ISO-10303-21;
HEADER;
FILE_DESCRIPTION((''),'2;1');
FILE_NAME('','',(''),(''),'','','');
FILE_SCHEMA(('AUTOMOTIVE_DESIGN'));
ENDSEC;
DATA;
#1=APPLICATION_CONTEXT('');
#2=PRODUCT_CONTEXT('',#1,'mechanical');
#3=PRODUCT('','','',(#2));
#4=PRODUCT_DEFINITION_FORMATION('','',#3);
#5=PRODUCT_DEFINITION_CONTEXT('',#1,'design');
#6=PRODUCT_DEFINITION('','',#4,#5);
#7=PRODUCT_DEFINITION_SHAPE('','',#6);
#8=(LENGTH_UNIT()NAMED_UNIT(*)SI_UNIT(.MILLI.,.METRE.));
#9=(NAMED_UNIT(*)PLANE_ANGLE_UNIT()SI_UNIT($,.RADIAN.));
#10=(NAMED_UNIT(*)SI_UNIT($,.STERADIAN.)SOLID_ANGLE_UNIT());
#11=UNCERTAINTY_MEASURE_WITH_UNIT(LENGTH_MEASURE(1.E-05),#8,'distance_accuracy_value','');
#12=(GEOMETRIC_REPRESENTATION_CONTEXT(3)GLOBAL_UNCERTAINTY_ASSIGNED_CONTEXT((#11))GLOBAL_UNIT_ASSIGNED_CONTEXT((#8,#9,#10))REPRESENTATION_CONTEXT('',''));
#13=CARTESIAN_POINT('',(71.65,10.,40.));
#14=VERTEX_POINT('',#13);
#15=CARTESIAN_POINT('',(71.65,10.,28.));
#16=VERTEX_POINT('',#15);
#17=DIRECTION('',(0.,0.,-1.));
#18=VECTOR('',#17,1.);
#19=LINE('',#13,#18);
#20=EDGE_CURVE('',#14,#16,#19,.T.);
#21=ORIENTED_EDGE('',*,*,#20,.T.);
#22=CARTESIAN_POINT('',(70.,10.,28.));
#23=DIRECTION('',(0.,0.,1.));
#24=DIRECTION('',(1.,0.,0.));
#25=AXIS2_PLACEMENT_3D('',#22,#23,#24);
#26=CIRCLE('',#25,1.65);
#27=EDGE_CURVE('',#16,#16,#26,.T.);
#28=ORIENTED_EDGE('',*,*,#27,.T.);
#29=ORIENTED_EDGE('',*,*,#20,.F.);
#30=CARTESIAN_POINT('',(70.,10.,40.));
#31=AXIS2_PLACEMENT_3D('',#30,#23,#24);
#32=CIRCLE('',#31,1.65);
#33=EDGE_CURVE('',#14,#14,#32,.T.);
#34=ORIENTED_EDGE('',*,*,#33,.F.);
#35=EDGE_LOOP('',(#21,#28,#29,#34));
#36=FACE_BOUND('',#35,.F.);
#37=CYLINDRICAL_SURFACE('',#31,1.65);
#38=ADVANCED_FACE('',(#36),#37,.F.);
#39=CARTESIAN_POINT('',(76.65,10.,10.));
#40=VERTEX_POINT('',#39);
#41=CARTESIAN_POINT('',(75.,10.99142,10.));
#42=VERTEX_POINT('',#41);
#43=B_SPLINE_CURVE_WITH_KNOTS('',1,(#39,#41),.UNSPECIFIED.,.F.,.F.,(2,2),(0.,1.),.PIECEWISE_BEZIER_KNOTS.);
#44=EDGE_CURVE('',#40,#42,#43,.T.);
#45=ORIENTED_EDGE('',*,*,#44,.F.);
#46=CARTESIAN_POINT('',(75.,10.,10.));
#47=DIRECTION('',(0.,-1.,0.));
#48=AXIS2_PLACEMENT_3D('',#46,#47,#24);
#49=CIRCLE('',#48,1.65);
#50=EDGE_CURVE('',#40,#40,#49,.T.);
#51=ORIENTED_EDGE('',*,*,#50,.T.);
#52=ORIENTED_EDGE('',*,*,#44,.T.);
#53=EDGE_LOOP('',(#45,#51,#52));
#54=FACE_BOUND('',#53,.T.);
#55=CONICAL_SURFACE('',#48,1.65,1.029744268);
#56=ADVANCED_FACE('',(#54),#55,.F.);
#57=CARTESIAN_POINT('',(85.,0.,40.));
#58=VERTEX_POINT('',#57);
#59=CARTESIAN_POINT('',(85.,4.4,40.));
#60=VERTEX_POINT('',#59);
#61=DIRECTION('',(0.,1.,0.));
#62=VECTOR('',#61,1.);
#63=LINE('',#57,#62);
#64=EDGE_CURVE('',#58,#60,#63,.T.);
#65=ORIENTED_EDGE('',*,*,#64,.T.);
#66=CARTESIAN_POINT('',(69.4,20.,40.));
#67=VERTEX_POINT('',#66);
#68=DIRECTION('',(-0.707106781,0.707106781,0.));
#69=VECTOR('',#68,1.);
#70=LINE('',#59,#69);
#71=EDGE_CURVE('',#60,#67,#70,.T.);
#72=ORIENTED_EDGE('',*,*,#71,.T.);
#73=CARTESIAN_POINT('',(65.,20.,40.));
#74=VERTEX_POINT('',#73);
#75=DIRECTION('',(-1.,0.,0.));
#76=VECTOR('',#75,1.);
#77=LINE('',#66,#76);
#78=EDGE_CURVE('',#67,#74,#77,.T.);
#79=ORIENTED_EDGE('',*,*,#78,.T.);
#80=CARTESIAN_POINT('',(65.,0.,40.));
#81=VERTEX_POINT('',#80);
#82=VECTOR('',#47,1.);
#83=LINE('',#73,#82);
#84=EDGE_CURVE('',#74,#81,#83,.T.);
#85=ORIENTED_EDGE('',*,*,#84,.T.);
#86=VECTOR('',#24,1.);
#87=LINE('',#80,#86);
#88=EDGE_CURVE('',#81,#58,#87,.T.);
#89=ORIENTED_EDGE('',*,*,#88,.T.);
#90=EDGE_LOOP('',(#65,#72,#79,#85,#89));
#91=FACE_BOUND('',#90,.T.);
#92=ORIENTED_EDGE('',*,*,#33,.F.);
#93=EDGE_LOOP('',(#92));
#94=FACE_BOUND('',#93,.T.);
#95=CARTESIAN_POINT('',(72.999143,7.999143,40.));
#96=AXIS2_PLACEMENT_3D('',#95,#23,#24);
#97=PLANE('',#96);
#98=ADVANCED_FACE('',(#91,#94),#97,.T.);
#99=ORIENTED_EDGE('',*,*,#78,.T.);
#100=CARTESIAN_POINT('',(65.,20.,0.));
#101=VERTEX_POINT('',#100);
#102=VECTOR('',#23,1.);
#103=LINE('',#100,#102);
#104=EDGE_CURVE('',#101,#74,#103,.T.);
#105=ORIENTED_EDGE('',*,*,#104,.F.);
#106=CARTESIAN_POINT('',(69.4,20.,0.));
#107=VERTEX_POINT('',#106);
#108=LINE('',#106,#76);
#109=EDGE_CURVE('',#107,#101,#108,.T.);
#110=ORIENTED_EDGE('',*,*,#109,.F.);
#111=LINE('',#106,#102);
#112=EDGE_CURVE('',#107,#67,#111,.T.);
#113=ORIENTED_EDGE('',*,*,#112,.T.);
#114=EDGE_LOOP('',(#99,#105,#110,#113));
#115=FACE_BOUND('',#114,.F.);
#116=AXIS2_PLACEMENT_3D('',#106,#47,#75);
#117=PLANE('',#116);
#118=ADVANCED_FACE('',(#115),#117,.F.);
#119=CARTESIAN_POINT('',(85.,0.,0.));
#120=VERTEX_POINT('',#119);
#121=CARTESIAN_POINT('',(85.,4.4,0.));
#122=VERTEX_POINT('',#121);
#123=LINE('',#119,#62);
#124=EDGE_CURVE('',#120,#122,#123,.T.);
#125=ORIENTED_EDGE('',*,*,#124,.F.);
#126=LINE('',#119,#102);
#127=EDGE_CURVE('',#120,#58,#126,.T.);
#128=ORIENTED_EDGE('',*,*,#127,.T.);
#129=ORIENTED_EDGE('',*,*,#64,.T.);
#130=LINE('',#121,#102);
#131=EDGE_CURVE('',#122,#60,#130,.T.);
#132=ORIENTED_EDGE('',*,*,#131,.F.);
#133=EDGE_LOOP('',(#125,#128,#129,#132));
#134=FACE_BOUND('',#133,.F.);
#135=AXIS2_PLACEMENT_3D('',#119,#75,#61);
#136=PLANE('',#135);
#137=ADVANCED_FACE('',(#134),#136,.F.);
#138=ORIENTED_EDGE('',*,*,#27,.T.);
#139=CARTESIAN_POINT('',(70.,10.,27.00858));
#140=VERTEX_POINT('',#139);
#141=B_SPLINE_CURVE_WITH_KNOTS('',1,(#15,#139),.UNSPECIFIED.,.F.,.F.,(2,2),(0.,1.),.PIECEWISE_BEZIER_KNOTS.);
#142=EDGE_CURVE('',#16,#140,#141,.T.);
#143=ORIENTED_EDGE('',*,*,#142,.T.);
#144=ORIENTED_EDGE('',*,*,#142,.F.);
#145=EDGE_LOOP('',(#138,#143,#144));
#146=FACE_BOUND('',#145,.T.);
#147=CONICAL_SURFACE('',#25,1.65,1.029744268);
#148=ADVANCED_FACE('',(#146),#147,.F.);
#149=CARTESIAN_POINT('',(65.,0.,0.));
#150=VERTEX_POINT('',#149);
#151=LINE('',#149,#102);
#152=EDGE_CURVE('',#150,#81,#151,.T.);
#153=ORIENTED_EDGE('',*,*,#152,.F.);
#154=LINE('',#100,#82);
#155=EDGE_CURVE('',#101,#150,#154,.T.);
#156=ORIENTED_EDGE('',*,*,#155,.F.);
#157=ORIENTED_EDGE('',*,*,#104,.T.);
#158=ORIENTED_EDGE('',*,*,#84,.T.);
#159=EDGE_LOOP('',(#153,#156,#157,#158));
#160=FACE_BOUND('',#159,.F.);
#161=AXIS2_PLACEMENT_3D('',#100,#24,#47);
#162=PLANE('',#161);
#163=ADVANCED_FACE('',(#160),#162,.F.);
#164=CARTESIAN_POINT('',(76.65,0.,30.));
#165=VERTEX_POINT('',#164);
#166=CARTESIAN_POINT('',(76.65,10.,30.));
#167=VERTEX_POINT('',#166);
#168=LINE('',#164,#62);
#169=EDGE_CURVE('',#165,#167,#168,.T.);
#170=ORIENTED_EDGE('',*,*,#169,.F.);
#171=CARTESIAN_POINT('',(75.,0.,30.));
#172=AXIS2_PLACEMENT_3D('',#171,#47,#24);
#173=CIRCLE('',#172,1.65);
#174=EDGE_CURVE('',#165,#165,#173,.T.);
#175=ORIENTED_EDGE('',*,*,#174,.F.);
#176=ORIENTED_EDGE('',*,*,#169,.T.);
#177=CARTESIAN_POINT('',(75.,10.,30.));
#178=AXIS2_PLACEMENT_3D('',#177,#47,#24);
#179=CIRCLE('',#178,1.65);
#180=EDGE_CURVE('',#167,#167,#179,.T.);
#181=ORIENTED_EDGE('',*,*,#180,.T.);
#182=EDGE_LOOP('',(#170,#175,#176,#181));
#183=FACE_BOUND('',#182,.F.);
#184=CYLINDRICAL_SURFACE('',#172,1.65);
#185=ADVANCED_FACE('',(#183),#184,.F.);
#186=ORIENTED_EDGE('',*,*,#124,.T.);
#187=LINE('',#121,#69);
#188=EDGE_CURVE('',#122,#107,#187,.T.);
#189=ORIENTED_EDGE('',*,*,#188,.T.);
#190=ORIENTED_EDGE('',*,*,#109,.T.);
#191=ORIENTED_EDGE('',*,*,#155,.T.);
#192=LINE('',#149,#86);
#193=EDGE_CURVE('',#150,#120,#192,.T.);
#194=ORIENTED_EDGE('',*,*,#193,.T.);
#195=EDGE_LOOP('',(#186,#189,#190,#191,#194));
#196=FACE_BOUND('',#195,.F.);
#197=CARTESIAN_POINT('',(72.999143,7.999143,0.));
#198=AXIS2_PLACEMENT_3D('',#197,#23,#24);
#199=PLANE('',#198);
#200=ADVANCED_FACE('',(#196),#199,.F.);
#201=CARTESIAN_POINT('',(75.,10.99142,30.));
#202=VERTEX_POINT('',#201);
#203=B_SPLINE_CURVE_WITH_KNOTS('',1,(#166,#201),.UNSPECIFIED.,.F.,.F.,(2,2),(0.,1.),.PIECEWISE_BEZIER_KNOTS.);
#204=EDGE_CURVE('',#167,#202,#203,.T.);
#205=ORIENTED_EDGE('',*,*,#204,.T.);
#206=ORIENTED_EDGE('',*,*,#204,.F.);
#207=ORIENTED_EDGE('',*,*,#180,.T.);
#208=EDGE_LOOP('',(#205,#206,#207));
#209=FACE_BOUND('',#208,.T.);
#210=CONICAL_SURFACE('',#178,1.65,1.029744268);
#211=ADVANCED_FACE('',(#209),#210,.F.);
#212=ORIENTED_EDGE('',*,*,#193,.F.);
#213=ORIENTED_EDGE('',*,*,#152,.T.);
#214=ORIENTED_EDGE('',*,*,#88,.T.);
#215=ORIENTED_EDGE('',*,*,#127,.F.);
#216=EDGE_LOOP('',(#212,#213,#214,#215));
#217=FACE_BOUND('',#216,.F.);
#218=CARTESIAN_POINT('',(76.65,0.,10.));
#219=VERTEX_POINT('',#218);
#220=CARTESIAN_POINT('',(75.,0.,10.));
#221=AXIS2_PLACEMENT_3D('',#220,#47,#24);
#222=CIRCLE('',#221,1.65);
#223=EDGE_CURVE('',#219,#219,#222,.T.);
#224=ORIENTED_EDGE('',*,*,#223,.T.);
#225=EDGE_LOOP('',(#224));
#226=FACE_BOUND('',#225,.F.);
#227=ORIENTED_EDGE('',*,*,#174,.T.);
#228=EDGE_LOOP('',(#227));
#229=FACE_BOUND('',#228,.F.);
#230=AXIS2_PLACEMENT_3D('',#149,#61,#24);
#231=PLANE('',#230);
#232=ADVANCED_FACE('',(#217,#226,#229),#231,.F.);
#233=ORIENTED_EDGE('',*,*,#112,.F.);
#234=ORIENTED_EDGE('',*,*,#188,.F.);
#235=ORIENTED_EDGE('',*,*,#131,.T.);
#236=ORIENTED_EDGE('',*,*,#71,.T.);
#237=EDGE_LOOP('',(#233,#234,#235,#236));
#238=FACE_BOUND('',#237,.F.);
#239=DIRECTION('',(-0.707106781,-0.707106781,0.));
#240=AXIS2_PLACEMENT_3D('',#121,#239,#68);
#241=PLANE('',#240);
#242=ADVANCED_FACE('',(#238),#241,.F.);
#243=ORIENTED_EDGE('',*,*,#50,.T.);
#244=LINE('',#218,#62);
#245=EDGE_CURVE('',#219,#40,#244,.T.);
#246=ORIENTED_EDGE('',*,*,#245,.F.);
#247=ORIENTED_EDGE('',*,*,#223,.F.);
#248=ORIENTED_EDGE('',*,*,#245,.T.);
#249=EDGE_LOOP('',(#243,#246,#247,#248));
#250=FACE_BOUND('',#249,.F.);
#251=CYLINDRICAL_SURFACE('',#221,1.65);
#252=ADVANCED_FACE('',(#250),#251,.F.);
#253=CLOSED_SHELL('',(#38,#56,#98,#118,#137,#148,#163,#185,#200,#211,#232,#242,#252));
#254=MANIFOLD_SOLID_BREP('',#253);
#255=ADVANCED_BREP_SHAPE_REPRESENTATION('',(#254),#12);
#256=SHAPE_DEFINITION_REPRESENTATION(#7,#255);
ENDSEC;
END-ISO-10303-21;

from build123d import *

# Parameters (mm, degrees)
PAD_DEPTH      = 40
SKETCH001_R    = 1.65
HOLE_DEPTH     = 10
HOLE_TIPS_R    = 1.65
SKETCH002_R    = 1.65
HOLE001_DEPTH  = 12
HOLE001_TIPS_R = 1.65


with BuildPart() as part:
    # Sketch → Pad (new body)
    with BuildSketch(Plane.XY):
        Polygon((65, 0), (85, 0), (85, 4.4), (69.4, 20), (65, 20), align=None)
    extrude(amount=PAD_DEPTH)

    # Sketch001 (on Face1 of Pad) → Hole (cut)
    with BuildSketch(Plane.XZ):
        with Locations((75, 30)):
            Circle(SKETCH001_R)
        with Locations((75, 10)):
            Circle(SKETCH001_R)
    extrude(amount=-HOLE_DEPTH, mode=Mode.SUBTRACT)

    # Hole tips → Hole tip 1 section 0
    with BuildSketch(Plane.XZ.offset(-10), mode=Mode.PRIVATE) as hole_tip_1_s0:
        with Locations((75, 30)):
            Circle(HOLE_TIPS_R)
    loft([hole_tip_1_s0.sketch, Vertex(75, 10.99142, 30)], mode=Mode.SUBTRACT)

    # Hole tips → Hole tip 2 section 0
    with BuildSketch(Plane.XZ.offset(-10), mode=Mode.PRIVATE) as hole_tip_2_s0:
        with Locations((75, 10)):
            Circle(HOLE_TIPS_R)
    loft([hole_tip_2_s0.sketch, Vertex(75, 10.99142, 10)], mode=Mode.SUBTRACT)

    # Sketch002 (on Face4 of Hole) → Hole001 (cut)
    with BuildSketch(Plane.XY.offset(40)):
        with Locations((70, 10)):
            Circle(SKETCH002_R)
    extrude(amount=-HOLE001_DEPTH, mode=Mode.SUBTRACT)

    # Hole001 tips → Hole001 tip 1 section 0
    with BuildSketch(Plane.XY.offset(28), mode=Mode.PRIVATE) as hole001_tip_1_s0:
        with Locations((70, 10)):
            Circle(HOLE001_TIPS_R)
    loft([hole001_tip_1_s0.sketch, Vertex(70, 10, 27.00858)], mode=Mode.SUBTRACT)


solid = part.part
